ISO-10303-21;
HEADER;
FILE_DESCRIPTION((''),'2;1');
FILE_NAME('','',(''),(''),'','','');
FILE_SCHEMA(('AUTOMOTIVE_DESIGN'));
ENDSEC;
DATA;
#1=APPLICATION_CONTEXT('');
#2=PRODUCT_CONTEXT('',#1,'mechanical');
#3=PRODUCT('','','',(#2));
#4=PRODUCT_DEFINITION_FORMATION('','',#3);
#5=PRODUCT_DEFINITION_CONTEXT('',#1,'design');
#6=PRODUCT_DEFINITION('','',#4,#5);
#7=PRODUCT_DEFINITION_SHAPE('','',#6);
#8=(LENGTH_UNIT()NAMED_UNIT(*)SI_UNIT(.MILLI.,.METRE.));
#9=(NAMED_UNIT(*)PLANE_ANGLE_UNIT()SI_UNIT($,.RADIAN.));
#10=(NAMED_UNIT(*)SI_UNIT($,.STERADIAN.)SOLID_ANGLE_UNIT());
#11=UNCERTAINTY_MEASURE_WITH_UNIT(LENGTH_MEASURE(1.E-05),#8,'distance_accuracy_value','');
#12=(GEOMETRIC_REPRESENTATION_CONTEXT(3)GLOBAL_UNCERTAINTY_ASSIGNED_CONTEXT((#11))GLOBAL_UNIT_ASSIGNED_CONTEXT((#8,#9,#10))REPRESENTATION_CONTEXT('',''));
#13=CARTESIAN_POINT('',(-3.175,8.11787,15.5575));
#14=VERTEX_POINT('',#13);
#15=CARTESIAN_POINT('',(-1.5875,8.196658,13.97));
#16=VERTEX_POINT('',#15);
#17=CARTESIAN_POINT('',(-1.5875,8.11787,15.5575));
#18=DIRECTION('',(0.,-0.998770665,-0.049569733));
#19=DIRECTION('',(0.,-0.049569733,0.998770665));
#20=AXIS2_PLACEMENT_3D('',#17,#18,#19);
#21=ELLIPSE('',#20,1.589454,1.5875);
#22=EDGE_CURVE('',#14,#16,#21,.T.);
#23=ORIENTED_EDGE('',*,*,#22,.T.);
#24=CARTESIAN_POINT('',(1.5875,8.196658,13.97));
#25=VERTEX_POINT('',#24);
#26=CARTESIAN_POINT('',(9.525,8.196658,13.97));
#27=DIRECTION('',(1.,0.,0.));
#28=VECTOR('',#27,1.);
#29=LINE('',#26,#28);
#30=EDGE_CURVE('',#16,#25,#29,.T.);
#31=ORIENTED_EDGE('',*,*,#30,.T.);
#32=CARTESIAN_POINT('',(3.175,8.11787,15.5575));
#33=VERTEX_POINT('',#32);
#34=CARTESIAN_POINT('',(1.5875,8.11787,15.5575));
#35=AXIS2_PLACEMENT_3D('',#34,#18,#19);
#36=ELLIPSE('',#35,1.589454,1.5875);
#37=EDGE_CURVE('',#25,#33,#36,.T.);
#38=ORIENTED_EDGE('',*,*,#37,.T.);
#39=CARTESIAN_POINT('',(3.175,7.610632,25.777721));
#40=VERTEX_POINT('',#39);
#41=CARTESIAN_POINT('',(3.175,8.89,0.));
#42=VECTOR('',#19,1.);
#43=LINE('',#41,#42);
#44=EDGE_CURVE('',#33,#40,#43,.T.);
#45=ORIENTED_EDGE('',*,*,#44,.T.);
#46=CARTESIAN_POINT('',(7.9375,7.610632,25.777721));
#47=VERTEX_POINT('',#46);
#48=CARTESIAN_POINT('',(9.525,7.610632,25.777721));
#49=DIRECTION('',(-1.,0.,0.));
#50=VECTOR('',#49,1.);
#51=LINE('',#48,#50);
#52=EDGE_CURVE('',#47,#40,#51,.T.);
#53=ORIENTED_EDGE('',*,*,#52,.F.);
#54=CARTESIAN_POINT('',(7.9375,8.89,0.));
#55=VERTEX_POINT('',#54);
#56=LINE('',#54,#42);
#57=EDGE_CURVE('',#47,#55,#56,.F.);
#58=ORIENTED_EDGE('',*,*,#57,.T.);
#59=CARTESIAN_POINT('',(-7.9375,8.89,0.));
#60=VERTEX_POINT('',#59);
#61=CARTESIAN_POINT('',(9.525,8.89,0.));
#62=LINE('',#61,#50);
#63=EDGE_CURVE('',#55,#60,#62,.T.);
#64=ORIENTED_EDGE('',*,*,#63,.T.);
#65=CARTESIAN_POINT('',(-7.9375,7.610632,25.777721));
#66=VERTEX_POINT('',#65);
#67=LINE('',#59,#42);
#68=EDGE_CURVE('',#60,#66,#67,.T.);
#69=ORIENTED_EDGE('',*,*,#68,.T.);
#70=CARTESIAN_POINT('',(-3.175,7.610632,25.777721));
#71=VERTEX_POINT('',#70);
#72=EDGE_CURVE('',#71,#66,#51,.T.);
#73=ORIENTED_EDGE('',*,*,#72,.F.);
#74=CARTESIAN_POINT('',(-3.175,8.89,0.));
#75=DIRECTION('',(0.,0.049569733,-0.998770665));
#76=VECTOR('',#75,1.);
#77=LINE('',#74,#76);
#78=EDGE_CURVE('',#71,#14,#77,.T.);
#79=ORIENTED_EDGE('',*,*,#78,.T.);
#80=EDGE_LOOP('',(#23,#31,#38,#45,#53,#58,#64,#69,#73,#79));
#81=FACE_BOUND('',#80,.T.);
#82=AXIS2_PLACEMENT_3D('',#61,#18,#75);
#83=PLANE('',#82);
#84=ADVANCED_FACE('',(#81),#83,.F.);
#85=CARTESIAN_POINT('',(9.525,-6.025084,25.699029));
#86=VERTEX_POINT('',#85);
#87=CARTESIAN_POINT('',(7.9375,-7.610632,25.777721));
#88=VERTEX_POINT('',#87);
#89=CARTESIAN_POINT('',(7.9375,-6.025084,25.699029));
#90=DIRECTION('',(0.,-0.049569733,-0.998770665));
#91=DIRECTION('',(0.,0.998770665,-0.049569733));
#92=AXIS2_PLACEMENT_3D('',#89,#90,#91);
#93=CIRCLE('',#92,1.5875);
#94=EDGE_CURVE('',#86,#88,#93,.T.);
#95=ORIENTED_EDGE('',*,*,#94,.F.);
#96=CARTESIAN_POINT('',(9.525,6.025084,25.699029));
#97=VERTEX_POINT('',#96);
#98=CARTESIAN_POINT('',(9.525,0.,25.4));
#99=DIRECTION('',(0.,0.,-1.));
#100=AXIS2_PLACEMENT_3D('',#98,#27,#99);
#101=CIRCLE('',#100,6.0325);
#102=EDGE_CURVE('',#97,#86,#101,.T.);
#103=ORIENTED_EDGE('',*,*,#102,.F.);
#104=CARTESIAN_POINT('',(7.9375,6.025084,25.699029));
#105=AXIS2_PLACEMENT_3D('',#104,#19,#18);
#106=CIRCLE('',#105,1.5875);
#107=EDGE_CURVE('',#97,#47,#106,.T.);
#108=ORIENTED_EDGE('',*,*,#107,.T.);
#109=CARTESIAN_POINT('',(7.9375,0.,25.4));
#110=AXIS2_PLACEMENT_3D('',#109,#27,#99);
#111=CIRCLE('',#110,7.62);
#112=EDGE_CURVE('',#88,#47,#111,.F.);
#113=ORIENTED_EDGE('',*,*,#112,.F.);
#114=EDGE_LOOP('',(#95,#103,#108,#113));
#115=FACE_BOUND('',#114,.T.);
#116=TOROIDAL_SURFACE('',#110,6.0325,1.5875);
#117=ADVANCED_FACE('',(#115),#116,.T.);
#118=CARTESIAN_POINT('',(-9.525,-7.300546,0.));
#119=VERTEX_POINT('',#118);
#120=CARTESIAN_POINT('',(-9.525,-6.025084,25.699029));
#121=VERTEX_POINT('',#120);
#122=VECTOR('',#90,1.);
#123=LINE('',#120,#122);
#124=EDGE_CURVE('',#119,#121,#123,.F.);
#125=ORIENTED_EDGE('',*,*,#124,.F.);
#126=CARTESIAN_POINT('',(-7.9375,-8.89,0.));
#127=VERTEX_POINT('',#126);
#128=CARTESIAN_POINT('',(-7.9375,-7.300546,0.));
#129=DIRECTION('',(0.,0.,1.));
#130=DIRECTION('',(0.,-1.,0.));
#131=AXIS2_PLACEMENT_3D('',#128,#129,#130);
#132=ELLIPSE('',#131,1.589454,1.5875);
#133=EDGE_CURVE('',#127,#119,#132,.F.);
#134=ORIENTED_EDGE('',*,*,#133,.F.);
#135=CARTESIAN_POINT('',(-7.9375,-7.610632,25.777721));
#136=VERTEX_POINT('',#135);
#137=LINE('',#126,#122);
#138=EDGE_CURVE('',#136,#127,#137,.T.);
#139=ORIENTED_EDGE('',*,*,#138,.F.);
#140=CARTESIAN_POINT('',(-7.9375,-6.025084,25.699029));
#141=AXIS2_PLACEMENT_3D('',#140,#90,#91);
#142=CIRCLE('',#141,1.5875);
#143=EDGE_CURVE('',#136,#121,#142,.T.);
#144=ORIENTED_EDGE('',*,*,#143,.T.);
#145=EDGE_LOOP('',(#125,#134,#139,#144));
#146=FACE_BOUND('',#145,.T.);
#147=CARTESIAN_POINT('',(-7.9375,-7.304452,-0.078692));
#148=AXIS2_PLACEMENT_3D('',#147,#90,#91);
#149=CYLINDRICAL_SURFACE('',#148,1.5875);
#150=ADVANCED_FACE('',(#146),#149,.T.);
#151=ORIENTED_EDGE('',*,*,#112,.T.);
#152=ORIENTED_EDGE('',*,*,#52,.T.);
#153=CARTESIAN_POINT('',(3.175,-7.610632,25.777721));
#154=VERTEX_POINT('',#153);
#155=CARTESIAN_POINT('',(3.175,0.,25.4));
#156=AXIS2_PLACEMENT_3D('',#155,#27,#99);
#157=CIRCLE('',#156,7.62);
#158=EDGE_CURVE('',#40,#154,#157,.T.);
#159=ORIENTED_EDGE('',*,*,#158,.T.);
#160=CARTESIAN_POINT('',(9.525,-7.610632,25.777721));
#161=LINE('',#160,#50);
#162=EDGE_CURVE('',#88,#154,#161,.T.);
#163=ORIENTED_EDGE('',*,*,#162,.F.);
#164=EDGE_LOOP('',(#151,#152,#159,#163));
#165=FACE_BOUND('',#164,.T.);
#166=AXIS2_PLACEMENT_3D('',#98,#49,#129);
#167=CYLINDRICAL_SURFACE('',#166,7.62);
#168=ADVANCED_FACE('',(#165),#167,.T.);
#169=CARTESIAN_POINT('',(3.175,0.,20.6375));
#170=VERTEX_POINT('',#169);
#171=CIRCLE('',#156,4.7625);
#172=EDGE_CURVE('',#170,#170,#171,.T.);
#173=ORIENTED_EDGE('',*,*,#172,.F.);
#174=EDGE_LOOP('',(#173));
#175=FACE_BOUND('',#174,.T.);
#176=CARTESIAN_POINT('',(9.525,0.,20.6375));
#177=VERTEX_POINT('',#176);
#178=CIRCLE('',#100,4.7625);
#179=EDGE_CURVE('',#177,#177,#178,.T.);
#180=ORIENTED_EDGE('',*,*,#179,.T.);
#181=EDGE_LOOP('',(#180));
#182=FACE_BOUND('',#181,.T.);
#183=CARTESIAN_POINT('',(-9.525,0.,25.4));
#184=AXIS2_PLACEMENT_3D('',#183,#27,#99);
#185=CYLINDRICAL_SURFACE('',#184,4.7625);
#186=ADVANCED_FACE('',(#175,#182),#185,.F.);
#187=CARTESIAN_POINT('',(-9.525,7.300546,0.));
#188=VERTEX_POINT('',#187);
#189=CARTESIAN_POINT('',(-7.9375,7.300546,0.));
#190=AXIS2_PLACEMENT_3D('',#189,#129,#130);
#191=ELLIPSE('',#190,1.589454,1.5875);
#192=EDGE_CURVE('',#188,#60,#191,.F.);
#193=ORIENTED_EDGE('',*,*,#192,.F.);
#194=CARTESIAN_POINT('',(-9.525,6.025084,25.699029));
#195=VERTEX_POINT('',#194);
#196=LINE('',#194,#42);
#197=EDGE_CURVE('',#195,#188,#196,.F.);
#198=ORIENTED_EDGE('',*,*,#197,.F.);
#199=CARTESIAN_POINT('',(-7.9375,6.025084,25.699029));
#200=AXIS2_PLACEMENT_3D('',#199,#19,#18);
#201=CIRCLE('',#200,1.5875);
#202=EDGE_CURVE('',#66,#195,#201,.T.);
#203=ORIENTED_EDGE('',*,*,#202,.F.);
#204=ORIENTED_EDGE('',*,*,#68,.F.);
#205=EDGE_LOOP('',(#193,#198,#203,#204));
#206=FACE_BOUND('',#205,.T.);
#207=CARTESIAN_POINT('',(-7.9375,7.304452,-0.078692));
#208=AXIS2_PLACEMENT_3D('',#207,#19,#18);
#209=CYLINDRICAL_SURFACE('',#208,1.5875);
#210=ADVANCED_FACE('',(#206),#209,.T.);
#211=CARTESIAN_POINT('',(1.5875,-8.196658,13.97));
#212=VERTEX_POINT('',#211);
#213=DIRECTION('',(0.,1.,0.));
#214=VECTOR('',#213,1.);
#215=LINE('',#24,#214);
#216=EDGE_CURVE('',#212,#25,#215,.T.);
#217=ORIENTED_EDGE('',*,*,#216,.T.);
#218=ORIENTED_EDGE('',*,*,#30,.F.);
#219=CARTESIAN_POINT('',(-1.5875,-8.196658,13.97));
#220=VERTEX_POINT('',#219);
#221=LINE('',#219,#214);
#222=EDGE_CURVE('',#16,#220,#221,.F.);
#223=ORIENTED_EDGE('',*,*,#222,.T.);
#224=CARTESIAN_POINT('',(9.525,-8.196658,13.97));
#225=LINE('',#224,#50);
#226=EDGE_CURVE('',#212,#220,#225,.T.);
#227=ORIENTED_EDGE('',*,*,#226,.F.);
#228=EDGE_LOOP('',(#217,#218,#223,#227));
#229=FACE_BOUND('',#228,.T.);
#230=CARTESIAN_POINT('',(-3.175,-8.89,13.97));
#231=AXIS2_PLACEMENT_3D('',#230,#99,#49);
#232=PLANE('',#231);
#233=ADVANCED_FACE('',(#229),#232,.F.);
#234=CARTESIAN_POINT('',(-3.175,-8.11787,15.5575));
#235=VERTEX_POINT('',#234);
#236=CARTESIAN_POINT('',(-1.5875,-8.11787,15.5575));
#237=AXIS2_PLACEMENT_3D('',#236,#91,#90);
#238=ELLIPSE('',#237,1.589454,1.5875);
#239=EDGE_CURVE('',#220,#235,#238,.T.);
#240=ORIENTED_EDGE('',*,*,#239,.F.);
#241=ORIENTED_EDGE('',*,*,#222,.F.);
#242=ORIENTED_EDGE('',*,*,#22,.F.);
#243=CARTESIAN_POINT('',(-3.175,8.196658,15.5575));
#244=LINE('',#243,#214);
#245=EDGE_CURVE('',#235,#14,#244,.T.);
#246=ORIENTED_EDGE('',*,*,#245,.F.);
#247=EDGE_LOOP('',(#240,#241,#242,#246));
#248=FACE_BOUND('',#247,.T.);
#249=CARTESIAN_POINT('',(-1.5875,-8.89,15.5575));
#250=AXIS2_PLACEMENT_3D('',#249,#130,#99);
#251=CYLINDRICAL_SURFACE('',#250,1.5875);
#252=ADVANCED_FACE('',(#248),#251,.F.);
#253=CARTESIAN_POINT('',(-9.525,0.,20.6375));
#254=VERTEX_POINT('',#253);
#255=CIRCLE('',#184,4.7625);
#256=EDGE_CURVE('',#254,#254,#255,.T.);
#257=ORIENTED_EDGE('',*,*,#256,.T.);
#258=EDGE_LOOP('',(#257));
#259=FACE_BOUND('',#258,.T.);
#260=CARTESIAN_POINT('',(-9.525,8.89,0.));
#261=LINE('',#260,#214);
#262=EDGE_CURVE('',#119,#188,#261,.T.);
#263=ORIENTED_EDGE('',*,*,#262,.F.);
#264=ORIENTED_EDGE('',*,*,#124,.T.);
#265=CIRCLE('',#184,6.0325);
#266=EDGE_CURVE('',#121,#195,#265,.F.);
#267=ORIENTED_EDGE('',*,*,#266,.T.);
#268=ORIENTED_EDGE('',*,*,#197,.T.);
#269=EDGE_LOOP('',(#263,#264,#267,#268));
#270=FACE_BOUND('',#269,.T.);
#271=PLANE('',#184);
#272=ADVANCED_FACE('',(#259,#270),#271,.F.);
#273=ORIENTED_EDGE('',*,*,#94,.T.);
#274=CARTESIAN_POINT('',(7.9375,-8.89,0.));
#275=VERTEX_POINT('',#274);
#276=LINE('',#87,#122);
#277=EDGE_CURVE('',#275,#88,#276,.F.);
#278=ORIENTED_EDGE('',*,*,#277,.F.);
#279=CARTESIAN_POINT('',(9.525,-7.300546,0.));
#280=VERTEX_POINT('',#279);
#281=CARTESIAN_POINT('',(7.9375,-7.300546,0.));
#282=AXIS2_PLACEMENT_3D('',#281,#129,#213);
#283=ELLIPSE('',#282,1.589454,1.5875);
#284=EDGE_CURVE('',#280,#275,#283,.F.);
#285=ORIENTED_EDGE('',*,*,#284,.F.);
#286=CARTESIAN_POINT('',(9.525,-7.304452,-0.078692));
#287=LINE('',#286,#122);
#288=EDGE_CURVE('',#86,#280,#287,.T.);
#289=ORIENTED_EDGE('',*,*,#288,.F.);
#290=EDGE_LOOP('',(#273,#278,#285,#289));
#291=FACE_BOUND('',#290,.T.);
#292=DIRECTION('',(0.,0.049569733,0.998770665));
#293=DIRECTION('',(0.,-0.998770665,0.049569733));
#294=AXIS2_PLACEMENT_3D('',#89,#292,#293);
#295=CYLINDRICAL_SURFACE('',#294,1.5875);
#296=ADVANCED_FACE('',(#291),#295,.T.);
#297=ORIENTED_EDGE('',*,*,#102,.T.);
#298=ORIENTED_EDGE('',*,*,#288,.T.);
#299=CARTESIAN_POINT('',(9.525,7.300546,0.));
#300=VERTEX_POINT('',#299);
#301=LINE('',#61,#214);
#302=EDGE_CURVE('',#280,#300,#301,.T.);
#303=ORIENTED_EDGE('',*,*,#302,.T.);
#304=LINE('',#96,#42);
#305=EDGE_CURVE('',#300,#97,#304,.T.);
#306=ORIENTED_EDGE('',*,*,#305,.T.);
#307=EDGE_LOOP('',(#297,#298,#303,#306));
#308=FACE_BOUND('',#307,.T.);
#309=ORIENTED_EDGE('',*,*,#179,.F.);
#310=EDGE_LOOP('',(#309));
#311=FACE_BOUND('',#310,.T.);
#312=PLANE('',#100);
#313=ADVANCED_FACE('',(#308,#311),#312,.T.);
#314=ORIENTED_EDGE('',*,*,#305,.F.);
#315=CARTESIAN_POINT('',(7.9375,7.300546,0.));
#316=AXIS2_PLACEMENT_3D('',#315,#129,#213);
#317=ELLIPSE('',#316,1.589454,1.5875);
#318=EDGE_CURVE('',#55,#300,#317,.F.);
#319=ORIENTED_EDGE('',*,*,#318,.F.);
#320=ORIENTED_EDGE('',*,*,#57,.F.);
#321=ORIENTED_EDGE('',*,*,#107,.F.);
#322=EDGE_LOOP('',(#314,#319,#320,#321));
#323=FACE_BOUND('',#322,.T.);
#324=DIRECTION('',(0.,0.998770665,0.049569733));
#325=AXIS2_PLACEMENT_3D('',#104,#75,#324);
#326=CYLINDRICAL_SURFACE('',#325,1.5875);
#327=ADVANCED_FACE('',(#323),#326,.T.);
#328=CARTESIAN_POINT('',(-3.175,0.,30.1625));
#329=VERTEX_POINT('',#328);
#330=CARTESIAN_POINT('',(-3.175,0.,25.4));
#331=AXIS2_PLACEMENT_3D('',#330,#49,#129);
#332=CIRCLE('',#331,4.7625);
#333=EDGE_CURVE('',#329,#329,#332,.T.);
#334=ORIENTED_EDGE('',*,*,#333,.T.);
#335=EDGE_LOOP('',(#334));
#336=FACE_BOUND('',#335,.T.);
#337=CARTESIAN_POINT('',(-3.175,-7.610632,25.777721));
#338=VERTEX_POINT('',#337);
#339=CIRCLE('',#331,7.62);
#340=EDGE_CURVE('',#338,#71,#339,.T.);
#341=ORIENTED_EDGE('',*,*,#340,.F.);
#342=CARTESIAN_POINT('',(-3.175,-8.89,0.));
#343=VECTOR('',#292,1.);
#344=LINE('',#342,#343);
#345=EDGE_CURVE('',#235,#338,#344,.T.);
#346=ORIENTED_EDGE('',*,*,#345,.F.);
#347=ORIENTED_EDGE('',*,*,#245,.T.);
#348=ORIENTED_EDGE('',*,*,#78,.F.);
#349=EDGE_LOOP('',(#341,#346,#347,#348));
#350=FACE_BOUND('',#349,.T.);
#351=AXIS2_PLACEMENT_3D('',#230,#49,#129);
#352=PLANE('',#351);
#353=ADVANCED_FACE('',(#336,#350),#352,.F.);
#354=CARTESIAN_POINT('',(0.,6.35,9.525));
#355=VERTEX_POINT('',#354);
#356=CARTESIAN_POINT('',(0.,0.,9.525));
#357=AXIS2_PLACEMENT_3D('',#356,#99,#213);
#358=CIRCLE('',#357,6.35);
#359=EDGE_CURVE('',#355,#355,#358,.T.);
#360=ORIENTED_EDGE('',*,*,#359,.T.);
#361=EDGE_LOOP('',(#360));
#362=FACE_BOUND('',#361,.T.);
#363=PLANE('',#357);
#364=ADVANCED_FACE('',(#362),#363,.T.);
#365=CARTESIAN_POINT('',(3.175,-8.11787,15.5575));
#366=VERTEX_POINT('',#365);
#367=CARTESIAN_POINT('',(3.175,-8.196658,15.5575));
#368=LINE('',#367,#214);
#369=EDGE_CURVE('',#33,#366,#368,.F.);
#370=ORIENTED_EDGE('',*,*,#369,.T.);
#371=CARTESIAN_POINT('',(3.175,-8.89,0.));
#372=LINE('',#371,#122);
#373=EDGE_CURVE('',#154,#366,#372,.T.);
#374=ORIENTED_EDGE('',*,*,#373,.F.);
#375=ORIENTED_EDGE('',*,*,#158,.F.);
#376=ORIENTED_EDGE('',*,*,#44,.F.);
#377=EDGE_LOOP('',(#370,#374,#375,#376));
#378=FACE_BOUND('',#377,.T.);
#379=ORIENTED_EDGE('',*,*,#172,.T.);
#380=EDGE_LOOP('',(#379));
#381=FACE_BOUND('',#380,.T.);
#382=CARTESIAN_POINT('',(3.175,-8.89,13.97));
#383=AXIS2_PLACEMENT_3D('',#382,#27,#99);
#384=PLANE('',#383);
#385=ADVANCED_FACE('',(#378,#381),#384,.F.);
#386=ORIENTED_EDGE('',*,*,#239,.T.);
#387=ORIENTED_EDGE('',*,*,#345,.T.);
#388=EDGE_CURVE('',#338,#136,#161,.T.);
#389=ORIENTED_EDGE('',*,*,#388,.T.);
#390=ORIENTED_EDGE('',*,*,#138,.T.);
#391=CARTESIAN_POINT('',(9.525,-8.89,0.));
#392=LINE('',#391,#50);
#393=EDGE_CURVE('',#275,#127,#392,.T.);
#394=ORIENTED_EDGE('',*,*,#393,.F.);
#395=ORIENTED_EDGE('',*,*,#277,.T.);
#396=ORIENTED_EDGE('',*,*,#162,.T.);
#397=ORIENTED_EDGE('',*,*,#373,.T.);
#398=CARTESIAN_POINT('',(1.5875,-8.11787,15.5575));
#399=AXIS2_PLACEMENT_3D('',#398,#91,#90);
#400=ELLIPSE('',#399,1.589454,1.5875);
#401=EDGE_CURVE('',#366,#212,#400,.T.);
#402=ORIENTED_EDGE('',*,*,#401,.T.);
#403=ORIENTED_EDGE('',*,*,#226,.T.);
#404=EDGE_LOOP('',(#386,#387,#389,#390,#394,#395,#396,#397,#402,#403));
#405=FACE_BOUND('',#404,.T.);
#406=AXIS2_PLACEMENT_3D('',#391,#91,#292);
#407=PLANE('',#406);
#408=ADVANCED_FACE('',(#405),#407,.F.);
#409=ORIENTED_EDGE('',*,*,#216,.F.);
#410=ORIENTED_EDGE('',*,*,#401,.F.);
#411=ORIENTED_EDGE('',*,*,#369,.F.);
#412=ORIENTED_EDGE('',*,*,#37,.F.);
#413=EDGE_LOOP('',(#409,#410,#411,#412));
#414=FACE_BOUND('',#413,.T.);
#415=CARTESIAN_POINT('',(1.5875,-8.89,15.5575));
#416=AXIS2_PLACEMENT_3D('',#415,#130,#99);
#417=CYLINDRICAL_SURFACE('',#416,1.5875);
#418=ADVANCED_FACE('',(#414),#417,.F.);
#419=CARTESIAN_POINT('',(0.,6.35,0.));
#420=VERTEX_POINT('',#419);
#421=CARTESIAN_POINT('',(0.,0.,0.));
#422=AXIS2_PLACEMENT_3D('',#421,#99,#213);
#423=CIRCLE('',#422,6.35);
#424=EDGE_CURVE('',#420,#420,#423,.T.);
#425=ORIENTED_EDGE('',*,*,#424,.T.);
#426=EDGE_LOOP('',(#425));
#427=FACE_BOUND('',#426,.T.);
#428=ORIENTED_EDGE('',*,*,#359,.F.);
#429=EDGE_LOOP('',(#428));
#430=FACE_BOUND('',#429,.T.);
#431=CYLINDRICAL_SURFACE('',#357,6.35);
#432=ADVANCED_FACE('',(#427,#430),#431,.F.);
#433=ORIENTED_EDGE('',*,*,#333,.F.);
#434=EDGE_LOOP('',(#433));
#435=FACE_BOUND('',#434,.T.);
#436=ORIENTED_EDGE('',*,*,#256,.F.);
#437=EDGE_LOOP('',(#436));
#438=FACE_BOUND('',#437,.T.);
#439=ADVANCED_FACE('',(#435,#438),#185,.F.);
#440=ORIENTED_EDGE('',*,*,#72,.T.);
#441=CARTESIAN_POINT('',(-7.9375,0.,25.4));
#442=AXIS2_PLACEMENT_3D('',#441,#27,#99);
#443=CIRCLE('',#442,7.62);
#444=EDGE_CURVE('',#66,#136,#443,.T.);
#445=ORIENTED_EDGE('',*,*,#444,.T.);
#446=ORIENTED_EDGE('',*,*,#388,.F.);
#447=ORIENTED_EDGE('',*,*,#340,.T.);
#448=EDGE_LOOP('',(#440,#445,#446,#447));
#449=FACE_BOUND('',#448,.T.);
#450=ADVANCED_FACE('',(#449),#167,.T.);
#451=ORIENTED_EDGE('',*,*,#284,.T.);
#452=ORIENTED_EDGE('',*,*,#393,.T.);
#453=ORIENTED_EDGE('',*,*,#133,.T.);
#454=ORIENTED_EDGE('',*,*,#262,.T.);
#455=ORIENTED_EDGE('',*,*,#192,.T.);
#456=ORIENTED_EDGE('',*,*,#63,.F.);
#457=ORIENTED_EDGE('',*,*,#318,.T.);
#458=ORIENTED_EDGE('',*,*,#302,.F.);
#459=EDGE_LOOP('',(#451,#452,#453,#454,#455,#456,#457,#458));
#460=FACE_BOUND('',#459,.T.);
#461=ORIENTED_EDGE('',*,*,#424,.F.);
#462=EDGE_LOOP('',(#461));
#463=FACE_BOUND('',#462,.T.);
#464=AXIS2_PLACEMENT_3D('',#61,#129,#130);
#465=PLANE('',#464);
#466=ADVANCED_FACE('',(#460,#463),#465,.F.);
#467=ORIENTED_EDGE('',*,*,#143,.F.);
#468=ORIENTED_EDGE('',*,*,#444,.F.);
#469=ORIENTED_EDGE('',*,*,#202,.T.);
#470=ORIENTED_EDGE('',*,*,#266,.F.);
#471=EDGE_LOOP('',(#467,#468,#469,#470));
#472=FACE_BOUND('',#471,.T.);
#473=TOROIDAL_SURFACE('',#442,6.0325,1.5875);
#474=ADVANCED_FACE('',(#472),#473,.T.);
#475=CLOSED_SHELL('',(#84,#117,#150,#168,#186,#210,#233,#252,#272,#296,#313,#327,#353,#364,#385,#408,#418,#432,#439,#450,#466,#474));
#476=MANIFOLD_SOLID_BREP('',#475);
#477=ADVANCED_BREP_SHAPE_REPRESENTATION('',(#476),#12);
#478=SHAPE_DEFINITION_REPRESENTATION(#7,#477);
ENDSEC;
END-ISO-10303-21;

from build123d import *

# Parameters (mm, degrees)
EXTRUDE2_DEPTH          = 9.525
SKETCH3_W               = 6.35
SKETCH3_H               = 19.05
CUT_EXTRUDE1_DEPTH      = 9.89
CUT_EXTRUDE1_DEPTH_BACK = 9.89
SKETCH4_R               = 4.7625
CUT_EXTRUDE2_DEPTH      = 20.05
SKETCH5_R               = 6.35
CUT_EXTRUDE3_DEPTH      = 9.525
FILLET1_R               = 1.5875


with BuildPart() as part:
    # Sketch2 → Extrude2 (new body, symmetric)
    with BuildSketch(Plane(origin=(0, 0, 0), x_dir=(0, 0, -1), z_dir=(1, 0, 0))):
        with BuildLine():
            Line((0, 8.89), (-25.777721364, 7.610632469))
            ThreePointArc((-25.777721364, 7.610632469), (-33.02, 0), (-25.777721364, -7.610632469))
            Line((-25.777721364, -7.610632469), (0, -8.89))
            Line((0, -8.89), (0, 8.89))
        make_face()
    extrude(amount=EXTRUDE2_DEPTH, both=True)

    # Sketch3 → Cut-Extrude1 (cut, two sides)
    with BuildSketch(Plane(origin=(0, 0, 0), x_dir=(1, 0, 0), z_dir=(0, 1, 0))) as cut_extrude1_sk:
        with Locations((0, -23.495)):
            Rectangle(SKETCH3_W, SKETCH3_H)
    extrude(amount=CUT_EXTRUDE1_DEPTH, mode=Mode.SUBTRACT)
    extrude(cut_extrude1_sk.sketch, amount=-CUT_EXTRUDE1_DEPTH_BACK, mode=Mode.SUBTRACT)

    # Sketch4 → Cut-Extrude2 (cut, through all)
    with BuildSketch(Plane(origin=(9.525, 0, 0), x_dir=(0, 0, -1), z_dir=(1, 0, 0))):
        with Locations((-25.4, 0)):
            Circle(SKETCH4_R)
    extrude(amount=-CUT_EXTRUDE2_DEPTH, mode=Mode.SUBTRACT)

    # Sketch5 → Cut-Extrude3 (cut)
    with BuildSketch(Plane(origin=(0, 0, 0), x_dir=(-1, 0, 0), z_dir=(0, 0, -1))):
        Circle(SKETCH5_R)
    extrude(amount=-CUT_EXTRUDE3_DEPTH, mode=Mode.SUBTRACT)

    # Fillet1
    fillet1_edges = [part.edges().sort_by_distance(p)[0] for p in [
        (9.525, 0, 33.02),
        (9.525, -8.250316234, 12.888860682),
        (-3.175, 0, 13.97),
        (3.175, 0, 13.97),
        (-9.525, -8.250316234, 12.888860682),
        (-9.525, 0, 33.02),
        (-9.525, 8.250316234, 12.888860682),
        (9.525, 8.250316234, 12.888860682),
    ]]
    fillet(fillet1_edges, radius=FILLET1_R)


solid = part.part
